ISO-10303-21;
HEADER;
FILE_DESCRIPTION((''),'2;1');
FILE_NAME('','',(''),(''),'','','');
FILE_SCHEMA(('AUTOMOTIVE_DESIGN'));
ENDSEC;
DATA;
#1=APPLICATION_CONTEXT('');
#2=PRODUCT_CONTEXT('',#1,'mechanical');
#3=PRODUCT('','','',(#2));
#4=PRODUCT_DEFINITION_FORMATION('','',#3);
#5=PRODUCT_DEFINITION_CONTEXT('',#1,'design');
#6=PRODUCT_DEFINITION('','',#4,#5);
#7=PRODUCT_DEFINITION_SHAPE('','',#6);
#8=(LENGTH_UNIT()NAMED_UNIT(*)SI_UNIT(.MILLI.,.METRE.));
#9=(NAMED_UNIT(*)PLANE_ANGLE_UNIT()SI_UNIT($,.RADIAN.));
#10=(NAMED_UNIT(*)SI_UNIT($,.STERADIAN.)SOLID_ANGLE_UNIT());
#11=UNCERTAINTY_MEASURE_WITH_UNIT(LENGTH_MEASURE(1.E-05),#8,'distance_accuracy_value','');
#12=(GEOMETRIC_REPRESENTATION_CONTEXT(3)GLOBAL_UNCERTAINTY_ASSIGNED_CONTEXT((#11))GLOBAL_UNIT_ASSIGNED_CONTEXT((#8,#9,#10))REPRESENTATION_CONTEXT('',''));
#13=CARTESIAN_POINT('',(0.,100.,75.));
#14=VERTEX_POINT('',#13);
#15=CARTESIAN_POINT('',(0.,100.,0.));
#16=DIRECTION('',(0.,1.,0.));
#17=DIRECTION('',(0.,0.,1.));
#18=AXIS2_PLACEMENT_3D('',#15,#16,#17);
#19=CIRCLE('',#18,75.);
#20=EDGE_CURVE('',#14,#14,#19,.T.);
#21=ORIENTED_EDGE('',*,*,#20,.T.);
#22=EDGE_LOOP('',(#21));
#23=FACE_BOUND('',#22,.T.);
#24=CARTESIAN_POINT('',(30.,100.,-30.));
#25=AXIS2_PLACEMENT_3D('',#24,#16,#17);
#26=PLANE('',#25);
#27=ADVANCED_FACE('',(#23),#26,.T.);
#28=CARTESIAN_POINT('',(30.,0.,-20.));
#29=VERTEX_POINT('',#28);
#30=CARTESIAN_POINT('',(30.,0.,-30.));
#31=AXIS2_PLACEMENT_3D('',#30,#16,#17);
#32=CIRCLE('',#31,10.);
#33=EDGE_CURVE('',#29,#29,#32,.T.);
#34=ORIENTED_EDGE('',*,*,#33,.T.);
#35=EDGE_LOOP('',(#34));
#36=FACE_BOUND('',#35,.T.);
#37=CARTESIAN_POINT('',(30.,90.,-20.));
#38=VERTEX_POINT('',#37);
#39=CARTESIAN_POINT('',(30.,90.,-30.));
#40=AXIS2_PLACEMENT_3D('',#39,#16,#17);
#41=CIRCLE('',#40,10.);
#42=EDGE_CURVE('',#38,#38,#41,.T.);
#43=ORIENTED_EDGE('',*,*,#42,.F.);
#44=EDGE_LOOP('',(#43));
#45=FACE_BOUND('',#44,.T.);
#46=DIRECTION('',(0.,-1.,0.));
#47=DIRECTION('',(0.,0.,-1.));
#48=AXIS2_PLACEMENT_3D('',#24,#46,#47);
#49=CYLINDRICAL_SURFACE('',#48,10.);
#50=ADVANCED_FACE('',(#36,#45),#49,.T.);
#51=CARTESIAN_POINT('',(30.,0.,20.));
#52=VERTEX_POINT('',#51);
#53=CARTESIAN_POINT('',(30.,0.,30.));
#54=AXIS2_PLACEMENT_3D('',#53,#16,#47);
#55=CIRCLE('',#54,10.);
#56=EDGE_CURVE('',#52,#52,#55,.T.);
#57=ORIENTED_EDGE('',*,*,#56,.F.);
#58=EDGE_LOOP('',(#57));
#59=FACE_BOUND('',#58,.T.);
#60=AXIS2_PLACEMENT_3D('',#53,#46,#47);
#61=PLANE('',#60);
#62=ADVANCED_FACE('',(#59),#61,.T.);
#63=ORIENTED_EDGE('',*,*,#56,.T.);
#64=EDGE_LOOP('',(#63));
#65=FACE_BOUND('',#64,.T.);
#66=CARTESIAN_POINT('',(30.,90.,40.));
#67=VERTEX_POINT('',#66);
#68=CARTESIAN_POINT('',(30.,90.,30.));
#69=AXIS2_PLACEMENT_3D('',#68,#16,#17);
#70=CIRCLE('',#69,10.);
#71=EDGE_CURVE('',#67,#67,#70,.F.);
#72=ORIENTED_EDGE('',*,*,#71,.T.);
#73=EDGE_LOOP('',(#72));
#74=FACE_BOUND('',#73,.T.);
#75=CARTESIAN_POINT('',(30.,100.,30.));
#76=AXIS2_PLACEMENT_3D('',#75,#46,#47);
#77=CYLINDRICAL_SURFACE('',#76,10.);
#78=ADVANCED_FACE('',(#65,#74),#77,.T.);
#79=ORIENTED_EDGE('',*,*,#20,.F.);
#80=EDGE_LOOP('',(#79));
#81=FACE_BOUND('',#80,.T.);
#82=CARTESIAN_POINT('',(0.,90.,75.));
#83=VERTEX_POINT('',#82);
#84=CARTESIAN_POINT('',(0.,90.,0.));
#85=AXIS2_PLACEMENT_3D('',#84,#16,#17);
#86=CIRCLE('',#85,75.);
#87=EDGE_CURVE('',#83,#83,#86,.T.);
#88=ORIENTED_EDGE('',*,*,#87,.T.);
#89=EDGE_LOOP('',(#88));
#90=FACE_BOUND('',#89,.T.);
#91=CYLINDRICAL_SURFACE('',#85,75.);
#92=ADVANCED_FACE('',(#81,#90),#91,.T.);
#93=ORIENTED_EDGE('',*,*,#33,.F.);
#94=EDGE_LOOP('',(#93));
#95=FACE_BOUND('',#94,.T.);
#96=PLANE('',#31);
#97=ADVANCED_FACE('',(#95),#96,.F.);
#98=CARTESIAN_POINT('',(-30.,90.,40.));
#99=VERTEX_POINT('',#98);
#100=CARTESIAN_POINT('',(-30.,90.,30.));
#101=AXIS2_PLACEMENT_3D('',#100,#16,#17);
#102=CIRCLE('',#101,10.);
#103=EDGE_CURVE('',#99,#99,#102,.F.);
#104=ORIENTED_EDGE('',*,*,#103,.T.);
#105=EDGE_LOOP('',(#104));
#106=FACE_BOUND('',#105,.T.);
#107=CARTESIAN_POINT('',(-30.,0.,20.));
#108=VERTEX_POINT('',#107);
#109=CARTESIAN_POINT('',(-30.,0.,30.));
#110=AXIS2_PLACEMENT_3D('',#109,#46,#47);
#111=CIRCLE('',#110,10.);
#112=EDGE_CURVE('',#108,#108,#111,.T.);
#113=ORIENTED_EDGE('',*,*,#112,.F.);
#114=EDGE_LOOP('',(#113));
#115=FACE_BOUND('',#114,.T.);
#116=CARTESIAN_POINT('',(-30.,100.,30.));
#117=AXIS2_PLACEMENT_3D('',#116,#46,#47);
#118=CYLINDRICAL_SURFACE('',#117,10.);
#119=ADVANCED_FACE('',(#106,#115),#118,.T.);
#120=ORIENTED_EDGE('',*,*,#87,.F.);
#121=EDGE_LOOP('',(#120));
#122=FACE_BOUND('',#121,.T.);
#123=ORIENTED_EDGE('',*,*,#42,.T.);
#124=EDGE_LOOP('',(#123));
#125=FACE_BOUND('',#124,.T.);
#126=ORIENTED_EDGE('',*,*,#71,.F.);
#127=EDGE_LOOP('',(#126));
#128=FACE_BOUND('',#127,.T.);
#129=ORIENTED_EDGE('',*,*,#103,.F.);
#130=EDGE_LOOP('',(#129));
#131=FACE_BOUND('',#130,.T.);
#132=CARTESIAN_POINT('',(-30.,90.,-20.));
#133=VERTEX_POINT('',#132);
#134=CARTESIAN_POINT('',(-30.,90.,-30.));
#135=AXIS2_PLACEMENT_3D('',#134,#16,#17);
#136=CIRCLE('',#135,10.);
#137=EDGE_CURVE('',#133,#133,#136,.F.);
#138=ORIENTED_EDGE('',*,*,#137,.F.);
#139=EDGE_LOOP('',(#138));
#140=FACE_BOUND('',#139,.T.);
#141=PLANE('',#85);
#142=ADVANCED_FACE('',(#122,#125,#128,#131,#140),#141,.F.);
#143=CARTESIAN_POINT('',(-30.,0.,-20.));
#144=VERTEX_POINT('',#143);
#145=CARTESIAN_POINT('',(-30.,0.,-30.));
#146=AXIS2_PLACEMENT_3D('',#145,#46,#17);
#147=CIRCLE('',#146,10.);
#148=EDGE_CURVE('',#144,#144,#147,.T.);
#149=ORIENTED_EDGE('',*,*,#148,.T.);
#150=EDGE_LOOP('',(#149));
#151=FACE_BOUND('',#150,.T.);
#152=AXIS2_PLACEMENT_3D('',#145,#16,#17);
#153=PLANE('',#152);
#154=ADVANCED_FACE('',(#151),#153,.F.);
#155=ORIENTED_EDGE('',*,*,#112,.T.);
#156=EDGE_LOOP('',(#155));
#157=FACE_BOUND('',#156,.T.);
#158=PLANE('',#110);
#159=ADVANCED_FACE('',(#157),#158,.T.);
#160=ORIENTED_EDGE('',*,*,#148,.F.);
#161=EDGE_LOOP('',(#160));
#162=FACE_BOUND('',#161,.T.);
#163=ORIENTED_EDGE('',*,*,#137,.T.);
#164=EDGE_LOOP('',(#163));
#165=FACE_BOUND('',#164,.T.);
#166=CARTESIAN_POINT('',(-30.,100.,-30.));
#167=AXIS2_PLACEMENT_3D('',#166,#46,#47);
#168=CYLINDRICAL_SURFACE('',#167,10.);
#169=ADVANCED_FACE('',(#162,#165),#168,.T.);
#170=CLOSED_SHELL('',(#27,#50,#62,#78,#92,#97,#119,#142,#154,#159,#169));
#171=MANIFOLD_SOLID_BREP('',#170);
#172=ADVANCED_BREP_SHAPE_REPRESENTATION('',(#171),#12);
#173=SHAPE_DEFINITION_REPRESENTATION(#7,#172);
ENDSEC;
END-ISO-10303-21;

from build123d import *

# Parameters (mm, degrees)
SKETCH1_R             = 10
BOSS_EXTRUDE1_DEPTH   = 100
BOSS_EXTRUDE1_2_DEPTH = 100
SKETCH2_R             = 75
BOSS_EXTRUDE2_DEPTH   = 10


with BuildPart() as part:
    # Sketch1 → Boss-Extrude1 (new body)
    with BuildSketch(Plane(origin=(0, 0, 0), x_dir=(1, 0, 0), z_dir=(0, 1, 0))):
        with Locations(Location((30, 30, 0), (0, 0, 270))):
            Circle(SKETCH1_R)
    extrude(amount=BOSS_EXTRUDE1_DEPTH)


with BuildPart() as body_2:
    # Sketch1 → Boss-Extrude1 2 (new body)
    with BuildSketch(Plane(origin=(0, 0, 0), x_dir=(1, 0, 0), z_dir=(0, 1, 0))):
        with Locations(Location((30, -30, 0), (0, 0, 90))):
            Circle(SKETCH1_R)
    extrude(amount=BOSS_EXTRUDE1_2_DEPTH)


with BuildPart() as body_3:
    # Mirror1: mirrored copy
    add(body_2.part.mirror(Plane(origin=(0, 0, 0), x_dir=(0, 0, 1), z_dir=(1, 0, 0))))


with BuildPart() as body_4:
    # Mirror1 2: mirrored copy
    add(part.part.mirror(Plane(origin=(0, 0, 0), x_dir=(0, 0, 1), z_dir=(1, 0, 0))))


with BuildPart() as part_1:
    add(part.part)

    add(body_2.part)  # Boss-Extrude2 merges body 2

    add(body_3.part)  # Boss-Extrude2 merges body 3

    add(body_4.part)  # Boss-Extrude2 merges body 4
    # Sketch2 → Boss-Extrude2 (add)
    with BuildSketch(Plane(origin=(0, 100, 0), x_dir=(1, 0, 0), z_dir=(0, 1, 0))):
        with Locations(Location((0, 0, 0), (0, 0, 270))):
            Circle(SKETCH2_R)
    extrude(amount=-BOSS_EXTRUDE2_DEPTH)


solid = part_1.part
